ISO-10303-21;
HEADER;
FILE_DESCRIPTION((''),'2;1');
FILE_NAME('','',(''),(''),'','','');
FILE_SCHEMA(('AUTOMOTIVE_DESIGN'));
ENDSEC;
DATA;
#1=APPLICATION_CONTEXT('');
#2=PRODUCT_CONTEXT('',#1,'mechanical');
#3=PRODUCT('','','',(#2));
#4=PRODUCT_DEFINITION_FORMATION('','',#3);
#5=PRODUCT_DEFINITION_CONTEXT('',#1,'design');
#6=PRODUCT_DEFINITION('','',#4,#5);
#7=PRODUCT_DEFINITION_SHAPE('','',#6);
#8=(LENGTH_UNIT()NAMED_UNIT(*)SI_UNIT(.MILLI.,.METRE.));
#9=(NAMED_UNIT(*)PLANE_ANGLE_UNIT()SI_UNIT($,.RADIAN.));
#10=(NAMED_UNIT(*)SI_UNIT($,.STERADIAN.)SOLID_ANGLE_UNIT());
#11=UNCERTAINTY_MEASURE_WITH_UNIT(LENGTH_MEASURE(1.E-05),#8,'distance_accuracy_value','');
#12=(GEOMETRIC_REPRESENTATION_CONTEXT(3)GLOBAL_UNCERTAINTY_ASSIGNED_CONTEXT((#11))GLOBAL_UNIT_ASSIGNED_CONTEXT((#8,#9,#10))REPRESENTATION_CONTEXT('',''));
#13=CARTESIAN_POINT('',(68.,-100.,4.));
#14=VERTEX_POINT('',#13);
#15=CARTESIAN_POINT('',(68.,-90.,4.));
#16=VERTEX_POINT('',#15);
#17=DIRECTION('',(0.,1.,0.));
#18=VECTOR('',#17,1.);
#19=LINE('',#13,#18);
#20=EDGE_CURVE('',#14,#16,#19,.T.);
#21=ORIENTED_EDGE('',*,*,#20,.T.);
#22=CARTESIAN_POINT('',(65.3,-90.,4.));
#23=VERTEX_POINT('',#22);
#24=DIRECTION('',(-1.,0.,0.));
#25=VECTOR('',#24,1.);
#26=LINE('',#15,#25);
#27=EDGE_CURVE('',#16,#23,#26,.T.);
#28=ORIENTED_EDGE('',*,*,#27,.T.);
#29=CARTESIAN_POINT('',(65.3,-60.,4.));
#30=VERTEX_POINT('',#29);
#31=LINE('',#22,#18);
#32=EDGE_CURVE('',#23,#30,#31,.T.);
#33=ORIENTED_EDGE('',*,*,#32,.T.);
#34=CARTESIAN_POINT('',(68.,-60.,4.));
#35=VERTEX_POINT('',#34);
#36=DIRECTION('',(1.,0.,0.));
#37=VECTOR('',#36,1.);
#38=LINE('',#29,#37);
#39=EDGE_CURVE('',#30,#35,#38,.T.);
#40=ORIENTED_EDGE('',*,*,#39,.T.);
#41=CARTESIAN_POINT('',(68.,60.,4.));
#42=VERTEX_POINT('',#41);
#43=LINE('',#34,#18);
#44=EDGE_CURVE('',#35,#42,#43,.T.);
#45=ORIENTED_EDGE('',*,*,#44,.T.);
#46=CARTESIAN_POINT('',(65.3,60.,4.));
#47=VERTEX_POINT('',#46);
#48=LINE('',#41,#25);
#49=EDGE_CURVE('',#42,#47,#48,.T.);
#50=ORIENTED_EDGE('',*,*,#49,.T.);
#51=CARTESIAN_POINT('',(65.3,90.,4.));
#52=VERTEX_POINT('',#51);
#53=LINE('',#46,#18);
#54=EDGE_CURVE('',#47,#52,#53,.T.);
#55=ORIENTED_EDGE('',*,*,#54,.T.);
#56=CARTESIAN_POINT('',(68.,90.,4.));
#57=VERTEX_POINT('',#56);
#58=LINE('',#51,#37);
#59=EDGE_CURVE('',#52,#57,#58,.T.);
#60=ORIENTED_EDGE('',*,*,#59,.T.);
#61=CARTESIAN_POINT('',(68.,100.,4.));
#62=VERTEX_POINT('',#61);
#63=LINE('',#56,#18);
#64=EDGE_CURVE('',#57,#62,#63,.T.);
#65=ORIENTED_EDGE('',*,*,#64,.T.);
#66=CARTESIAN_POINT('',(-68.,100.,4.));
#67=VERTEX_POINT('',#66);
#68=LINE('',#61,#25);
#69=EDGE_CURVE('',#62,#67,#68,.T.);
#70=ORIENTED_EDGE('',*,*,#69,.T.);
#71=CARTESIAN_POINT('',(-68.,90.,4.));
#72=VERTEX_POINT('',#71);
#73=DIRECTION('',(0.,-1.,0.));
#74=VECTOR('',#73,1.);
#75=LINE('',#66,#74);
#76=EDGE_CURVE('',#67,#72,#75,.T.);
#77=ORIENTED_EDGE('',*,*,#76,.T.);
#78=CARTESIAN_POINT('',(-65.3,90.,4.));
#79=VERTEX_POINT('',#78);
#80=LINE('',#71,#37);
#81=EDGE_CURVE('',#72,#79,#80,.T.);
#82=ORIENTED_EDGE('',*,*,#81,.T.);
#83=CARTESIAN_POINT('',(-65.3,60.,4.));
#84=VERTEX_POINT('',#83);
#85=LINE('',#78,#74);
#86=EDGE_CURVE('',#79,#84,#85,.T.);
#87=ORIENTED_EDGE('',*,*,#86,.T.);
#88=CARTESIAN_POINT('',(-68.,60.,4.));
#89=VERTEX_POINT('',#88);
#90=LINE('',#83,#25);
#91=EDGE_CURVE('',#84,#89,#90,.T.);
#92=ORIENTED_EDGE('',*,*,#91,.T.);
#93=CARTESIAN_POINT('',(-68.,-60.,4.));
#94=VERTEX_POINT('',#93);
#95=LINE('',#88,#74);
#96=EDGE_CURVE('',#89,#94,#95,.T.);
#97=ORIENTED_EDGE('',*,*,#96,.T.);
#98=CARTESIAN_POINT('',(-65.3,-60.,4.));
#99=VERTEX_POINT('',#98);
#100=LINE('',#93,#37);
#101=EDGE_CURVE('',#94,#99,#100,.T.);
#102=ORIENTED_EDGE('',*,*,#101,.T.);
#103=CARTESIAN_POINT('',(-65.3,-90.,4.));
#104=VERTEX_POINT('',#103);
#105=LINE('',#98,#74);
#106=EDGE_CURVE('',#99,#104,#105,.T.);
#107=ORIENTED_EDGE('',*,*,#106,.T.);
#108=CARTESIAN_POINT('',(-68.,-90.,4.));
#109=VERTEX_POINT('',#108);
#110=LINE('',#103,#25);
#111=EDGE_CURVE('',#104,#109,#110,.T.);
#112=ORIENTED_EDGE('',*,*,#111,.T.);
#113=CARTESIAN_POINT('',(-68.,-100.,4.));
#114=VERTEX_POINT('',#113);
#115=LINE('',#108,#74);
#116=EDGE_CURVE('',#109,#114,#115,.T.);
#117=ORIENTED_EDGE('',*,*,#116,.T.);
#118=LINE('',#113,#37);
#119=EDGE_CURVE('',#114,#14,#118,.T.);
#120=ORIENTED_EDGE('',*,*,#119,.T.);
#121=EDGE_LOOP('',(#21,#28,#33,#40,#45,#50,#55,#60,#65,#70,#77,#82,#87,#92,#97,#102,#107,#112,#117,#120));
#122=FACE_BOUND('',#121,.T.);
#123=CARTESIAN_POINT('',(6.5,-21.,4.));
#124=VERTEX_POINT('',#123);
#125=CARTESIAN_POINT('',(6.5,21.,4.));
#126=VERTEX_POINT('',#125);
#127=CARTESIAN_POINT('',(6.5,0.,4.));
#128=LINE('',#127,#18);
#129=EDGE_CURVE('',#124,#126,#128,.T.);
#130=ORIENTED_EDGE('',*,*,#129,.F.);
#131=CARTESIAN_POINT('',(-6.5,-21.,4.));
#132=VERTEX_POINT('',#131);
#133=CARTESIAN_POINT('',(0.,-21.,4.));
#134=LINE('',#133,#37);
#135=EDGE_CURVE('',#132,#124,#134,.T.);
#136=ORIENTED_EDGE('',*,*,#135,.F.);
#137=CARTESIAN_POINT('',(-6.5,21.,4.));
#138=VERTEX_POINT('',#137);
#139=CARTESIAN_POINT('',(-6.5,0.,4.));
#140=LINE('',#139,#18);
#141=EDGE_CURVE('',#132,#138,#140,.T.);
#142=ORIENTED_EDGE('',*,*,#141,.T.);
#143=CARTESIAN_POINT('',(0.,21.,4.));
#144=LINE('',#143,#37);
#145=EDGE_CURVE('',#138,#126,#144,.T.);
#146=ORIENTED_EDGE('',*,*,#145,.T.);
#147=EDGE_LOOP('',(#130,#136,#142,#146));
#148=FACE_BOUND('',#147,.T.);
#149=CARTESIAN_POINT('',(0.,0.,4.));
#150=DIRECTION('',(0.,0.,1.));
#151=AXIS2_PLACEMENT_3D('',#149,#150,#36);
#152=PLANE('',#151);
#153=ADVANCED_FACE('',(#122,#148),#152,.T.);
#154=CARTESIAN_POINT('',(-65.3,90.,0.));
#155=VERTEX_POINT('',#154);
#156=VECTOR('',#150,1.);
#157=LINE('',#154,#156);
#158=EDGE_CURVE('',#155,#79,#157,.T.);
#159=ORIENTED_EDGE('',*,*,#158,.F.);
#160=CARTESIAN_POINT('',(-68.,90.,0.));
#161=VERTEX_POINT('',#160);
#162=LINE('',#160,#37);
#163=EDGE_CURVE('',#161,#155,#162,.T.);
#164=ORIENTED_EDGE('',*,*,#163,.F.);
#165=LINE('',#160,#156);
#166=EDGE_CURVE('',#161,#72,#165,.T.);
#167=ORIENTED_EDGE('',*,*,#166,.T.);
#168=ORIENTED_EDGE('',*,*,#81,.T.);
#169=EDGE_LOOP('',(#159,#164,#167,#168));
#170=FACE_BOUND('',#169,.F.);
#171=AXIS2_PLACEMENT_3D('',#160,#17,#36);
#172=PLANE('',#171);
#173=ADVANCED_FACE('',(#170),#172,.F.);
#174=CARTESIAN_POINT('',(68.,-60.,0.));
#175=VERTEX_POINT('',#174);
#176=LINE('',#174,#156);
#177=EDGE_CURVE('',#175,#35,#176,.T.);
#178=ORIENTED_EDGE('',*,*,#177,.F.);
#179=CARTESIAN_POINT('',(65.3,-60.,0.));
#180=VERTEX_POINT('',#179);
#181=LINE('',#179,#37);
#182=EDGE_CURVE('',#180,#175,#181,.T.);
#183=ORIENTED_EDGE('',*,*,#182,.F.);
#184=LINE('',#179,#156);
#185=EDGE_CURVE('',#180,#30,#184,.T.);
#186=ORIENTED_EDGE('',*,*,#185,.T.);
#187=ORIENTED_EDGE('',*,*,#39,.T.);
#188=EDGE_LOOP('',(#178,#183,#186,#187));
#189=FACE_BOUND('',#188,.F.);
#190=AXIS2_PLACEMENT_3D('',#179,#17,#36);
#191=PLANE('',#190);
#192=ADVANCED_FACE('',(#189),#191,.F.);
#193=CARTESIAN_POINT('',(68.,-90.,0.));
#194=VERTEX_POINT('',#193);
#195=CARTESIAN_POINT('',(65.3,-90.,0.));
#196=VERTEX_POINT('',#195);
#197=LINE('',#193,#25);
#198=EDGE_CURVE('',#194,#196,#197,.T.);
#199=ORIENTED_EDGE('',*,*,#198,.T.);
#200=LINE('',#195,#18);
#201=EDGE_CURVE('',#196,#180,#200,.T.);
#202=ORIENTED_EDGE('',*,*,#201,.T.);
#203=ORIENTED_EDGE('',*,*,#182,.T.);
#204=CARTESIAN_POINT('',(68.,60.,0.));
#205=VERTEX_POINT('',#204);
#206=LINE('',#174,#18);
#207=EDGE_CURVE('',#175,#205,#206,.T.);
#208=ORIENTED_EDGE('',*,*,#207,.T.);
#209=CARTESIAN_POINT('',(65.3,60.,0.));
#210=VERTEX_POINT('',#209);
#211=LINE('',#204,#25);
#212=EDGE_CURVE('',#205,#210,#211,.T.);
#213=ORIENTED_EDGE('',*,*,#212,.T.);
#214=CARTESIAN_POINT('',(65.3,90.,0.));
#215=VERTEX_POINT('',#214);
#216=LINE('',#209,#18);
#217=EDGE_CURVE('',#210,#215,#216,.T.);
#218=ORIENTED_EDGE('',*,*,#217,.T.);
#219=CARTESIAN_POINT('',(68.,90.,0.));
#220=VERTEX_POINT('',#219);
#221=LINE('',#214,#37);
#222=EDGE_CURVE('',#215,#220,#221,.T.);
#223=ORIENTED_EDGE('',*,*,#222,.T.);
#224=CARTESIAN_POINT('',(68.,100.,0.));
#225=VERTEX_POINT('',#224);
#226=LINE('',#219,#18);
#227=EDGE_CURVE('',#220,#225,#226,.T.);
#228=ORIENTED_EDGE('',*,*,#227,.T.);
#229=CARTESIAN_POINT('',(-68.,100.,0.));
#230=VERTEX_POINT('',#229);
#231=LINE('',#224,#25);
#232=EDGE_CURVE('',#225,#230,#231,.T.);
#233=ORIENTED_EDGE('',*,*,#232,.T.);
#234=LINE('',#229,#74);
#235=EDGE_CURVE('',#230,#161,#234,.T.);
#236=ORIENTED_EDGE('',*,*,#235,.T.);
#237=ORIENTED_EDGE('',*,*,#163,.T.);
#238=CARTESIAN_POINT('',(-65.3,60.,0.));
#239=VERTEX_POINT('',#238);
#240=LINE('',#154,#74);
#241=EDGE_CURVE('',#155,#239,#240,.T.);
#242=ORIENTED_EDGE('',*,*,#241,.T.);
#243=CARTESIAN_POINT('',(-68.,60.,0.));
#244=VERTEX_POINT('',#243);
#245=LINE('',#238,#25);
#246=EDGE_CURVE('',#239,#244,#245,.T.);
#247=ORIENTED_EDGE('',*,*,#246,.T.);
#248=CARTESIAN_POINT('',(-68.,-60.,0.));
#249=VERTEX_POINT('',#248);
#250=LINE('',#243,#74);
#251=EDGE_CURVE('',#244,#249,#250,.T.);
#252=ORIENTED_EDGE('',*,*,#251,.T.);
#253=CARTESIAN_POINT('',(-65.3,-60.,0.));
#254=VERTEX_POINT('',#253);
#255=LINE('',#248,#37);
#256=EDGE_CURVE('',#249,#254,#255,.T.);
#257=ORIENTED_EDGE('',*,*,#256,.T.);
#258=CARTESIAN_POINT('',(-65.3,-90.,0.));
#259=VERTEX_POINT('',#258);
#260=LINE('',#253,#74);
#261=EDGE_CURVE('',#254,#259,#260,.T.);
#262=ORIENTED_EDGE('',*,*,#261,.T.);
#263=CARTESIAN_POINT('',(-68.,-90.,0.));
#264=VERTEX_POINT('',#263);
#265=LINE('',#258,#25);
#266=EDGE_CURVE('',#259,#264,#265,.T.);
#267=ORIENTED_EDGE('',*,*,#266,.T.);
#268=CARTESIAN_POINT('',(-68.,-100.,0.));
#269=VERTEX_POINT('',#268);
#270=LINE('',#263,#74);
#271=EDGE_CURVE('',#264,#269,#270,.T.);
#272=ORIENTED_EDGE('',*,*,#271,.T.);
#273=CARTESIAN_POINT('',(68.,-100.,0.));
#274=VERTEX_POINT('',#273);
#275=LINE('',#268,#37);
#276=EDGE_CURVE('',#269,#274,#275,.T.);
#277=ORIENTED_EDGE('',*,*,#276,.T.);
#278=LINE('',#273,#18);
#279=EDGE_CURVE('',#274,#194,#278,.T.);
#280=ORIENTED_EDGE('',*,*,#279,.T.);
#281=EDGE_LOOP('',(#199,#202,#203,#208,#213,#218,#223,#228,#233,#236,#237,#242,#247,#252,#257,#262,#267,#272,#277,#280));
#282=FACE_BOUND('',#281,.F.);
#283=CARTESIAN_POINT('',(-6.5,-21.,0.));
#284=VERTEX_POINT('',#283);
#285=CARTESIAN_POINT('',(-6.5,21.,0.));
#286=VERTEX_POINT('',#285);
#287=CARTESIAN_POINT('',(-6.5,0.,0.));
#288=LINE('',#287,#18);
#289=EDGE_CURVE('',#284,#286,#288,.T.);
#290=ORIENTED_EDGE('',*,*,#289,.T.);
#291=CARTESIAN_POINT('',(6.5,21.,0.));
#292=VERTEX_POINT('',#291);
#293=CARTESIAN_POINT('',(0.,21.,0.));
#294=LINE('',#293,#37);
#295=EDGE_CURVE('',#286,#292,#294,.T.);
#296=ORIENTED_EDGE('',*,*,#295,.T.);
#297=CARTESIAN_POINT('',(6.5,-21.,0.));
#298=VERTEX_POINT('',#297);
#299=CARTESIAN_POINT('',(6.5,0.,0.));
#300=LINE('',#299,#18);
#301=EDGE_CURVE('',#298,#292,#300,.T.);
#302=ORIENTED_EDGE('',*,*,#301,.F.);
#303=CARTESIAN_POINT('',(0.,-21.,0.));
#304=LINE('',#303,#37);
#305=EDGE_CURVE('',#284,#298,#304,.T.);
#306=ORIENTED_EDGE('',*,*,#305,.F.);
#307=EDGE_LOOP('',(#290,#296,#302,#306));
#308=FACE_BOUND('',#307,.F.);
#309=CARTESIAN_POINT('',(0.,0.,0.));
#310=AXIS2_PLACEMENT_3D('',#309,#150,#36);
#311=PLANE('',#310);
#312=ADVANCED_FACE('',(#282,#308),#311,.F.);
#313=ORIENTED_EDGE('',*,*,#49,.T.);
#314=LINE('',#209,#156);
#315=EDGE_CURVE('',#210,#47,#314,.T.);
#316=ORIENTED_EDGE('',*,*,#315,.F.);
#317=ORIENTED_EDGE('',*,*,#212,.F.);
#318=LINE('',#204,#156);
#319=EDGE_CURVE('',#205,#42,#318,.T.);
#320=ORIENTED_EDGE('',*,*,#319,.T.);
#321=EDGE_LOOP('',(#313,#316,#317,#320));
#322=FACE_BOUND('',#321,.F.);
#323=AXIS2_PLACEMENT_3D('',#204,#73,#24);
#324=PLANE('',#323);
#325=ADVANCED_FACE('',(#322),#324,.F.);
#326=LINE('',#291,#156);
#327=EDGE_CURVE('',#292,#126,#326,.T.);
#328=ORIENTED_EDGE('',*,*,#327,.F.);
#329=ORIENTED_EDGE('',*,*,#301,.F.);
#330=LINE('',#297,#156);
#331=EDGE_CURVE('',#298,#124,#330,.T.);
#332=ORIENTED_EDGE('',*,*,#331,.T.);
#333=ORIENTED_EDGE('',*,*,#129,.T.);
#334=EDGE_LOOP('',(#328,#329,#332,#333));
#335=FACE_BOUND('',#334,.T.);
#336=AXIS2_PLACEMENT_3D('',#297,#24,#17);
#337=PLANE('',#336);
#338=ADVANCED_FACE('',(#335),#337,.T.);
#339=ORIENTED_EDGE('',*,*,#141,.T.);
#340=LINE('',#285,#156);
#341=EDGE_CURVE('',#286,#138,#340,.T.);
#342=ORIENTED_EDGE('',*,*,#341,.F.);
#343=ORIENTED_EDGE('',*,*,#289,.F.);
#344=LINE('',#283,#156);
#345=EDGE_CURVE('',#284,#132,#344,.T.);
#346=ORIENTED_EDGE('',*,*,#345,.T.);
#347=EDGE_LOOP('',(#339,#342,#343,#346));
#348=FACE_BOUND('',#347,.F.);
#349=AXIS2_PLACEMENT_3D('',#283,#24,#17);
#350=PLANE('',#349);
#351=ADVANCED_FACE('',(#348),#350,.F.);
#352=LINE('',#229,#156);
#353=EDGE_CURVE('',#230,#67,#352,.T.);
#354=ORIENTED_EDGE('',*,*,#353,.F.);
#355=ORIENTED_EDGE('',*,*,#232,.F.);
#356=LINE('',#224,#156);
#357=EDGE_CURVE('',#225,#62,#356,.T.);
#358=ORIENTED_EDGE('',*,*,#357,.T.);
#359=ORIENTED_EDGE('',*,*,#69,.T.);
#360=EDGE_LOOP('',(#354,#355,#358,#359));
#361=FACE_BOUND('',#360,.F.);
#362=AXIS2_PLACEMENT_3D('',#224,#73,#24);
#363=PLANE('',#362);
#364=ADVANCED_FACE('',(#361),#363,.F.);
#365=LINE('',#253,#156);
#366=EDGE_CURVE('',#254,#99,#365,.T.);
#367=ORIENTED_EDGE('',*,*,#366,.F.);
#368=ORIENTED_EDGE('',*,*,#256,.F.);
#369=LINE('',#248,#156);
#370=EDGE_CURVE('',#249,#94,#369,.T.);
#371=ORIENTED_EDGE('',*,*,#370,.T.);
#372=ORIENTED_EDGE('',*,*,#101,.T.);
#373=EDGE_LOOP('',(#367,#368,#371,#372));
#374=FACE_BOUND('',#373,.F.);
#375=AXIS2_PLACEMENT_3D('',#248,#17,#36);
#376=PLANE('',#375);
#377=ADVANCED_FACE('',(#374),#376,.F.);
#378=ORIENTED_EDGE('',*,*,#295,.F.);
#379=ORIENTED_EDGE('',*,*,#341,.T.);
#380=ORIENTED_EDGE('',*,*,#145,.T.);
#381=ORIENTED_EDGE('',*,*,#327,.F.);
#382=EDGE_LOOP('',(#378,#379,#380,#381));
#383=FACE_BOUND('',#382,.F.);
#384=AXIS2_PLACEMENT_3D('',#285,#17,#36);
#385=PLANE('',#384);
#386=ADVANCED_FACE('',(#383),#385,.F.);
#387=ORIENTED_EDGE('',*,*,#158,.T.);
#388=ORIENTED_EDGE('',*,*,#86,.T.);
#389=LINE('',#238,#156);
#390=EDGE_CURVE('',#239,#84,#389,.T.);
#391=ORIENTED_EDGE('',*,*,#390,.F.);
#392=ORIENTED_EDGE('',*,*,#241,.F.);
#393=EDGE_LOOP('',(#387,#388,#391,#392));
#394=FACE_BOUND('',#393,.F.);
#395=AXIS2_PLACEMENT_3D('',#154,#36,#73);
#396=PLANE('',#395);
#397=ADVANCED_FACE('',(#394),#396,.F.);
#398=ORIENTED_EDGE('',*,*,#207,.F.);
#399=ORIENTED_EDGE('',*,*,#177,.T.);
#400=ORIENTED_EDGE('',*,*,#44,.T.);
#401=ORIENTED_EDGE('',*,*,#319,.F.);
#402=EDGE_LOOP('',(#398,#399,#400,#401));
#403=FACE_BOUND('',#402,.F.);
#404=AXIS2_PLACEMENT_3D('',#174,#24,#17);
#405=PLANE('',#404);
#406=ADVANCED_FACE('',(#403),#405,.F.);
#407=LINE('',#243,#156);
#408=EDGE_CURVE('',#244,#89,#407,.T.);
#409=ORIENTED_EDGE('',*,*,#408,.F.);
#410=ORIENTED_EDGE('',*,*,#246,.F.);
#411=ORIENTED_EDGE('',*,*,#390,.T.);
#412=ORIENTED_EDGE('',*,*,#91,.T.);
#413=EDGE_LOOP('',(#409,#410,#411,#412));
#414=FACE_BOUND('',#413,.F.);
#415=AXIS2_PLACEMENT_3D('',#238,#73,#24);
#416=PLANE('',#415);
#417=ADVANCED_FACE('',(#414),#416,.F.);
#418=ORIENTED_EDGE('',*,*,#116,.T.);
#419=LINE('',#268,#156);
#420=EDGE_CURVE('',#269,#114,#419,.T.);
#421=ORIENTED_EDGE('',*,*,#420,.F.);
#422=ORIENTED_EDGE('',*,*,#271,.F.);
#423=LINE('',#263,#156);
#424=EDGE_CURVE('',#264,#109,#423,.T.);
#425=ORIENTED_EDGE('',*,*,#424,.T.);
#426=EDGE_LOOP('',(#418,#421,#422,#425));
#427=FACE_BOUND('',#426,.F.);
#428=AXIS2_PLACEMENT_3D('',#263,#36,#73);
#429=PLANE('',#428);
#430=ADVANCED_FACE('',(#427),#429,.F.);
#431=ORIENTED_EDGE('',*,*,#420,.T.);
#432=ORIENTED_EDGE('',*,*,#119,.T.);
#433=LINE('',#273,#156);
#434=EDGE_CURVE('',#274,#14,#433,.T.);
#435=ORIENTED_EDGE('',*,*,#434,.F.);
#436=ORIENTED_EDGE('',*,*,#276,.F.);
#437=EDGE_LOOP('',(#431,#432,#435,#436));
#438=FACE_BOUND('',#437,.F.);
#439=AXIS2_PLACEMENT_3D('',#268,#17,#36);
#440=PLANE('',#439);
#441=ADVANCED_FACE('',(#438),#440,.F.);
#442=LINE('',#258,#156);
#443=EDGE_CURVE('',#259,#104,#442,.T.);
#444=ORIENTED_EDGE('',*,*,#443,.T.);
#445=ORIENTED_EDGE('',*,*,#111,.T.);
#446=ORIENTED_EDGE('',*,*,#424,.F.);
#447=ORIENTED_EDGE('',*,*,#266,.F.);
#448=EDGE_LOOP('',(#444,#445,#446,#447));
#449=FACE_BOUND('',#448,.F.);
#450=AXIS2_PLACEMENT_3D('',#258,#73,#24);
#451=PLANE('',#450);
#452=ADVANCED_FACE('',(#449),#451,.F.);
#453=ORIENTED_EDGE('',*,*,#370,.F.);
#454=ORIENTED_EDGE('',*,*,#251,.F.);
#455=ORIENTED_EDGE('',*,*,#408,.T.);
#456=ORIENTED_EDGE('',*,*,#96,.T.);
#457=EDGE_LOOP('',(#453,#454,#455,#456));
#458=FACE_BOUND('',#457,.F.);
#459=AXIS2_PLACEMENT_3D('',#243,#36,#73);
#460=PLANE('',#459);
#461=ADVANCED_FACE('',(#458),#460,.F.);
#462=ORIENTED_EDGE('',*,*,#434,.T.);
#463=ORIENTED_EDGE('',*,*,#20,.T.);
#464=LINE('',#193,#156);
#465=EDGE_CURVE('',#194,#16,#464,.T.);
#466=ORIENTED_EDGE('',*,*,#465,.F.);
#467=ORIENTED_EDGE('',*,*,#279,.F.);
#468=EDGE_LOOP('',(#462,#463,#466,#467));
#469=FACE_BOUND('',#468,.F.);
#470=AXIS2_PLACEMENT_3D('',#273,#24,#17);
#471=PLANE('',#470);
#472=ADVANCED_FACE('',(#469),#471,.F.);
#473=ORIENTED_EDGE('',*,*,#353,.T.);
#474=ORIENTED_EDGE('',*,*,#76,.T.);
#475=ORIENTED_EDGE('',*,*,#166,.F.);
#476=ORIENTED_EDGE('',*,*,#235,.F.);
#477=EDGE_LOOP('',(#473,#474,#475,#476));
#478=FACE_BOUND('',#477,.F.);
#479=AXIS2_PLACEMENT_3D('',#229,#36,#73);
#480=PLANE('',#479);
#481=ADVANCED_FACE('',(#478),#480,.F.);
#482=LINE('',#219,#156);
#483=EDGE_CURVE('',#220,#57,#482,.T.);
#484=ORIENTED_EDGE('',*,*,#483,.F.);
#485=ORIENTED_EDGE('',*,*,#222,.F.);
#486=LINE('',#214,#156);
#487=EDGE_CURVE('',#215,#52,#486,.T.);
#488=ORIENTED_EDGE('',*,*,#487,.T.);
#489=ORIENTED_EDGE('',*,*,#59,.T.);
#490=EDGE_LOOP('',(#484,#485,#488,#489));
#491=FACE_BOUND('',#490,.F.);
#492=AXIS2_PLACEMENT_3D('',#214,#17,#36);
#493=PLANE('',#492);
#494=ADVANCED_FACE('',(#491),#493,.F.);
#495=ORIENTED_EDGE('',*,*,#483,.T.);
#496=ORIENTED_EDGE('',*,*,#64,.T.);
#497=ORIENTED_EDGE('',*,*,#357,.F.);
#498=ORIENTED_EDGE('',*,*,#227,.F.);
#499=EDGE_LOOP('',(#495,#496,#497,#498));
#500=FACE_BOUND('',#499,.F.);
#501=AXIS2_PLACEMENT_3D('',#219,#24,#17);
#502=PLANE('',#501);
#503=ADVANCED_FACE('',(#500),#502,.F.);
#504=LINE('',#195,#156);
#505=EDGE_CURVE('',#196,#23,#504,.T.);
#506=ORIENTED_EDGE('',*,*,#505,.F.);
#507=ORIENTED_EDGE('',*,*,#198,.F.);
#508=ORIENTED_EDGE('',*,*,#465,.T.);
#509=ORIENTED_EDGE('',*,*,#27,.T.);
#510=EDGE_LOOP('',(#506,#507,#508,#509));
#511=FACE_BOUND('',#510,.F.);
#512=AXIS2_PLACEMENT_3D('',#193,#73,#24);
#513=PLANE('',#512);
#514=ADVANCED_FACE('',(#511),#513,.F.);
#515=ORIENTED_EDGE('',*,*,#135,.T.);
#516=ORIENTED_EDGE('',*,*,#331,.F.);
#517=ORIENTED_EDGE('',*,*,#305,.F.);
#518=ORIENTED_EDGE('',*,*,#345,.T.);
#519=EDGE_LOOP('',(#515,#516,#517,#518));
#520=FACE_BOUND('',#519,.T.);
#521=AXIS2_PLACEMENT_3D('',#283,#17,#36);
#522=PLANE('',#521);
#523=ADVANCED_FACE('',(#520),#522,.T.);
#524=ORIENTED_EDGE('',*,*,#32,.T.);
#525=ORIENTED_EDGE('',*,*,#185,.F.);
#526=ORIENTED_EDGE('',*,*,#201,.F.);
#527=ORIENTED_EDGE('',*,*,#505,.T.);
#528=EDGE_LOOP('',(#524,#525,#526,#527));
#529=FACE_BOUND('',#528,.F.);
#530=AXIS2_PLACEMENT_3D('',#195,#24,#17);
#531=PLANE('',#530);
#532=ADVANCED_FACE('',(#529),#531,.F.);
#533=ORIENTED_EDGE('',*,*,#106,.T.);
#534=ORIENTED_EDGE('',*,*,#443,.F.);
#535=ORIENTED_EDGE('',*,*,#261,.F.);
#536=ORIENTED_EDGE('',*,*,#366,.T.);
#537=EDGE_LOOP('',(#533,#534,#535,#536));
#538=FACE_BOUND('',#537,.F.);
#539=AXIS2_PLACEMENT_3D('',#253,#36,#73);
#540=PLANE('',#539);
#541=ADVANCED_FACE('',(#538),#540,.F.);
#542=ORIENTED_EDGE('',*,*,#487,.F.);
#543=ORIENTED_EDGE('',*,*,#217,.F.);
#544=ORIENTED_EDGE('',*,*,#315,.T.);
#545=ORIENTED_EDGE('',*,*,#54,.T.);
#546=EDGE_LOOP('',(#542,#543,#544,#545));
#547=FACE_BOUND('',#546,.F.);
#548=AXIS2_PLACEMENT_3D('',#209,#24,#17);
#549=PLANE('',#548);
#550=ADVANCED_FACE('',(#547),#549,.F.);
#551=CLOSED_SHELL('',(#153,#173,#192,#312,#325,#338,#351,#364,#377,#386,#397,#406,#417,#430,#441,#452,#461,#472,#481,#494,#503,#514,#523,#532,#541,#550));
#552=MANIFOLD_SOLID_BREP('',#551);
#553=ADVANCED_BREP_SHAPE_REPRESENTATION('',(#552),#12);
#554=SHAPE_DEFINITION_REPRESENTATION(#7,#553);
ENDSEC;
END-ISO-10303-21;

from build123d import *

# Parameters (mm, degrees)
F0_W     = 13
F0_H     = 42
F1_DEPTH = 4


with BuildPart() as f1:
    # F0 (on Top) → F1 (new body)
    with BuildSketch(Plane.XY):
        Polygon((68, 90), (68, 100), (-68, 100), (-68, 90), (-65.3, 90), (-65.3, 60), (-68, 60), (-68, -60), (-65.3, -60), (-65.3, -90), (-68, -90), (-68, -100), (68, -100), (68, -90), (65.3, -90), (65.3, -60), (68, -60), (68, 60), (65.3, 60), (65.3, 90), align=None)
        Rectangle(F0_W, F0_H, mode=Mode.SUBTRACT)
    extrude(amount=F1_DEPTH)


solid = f1.part
